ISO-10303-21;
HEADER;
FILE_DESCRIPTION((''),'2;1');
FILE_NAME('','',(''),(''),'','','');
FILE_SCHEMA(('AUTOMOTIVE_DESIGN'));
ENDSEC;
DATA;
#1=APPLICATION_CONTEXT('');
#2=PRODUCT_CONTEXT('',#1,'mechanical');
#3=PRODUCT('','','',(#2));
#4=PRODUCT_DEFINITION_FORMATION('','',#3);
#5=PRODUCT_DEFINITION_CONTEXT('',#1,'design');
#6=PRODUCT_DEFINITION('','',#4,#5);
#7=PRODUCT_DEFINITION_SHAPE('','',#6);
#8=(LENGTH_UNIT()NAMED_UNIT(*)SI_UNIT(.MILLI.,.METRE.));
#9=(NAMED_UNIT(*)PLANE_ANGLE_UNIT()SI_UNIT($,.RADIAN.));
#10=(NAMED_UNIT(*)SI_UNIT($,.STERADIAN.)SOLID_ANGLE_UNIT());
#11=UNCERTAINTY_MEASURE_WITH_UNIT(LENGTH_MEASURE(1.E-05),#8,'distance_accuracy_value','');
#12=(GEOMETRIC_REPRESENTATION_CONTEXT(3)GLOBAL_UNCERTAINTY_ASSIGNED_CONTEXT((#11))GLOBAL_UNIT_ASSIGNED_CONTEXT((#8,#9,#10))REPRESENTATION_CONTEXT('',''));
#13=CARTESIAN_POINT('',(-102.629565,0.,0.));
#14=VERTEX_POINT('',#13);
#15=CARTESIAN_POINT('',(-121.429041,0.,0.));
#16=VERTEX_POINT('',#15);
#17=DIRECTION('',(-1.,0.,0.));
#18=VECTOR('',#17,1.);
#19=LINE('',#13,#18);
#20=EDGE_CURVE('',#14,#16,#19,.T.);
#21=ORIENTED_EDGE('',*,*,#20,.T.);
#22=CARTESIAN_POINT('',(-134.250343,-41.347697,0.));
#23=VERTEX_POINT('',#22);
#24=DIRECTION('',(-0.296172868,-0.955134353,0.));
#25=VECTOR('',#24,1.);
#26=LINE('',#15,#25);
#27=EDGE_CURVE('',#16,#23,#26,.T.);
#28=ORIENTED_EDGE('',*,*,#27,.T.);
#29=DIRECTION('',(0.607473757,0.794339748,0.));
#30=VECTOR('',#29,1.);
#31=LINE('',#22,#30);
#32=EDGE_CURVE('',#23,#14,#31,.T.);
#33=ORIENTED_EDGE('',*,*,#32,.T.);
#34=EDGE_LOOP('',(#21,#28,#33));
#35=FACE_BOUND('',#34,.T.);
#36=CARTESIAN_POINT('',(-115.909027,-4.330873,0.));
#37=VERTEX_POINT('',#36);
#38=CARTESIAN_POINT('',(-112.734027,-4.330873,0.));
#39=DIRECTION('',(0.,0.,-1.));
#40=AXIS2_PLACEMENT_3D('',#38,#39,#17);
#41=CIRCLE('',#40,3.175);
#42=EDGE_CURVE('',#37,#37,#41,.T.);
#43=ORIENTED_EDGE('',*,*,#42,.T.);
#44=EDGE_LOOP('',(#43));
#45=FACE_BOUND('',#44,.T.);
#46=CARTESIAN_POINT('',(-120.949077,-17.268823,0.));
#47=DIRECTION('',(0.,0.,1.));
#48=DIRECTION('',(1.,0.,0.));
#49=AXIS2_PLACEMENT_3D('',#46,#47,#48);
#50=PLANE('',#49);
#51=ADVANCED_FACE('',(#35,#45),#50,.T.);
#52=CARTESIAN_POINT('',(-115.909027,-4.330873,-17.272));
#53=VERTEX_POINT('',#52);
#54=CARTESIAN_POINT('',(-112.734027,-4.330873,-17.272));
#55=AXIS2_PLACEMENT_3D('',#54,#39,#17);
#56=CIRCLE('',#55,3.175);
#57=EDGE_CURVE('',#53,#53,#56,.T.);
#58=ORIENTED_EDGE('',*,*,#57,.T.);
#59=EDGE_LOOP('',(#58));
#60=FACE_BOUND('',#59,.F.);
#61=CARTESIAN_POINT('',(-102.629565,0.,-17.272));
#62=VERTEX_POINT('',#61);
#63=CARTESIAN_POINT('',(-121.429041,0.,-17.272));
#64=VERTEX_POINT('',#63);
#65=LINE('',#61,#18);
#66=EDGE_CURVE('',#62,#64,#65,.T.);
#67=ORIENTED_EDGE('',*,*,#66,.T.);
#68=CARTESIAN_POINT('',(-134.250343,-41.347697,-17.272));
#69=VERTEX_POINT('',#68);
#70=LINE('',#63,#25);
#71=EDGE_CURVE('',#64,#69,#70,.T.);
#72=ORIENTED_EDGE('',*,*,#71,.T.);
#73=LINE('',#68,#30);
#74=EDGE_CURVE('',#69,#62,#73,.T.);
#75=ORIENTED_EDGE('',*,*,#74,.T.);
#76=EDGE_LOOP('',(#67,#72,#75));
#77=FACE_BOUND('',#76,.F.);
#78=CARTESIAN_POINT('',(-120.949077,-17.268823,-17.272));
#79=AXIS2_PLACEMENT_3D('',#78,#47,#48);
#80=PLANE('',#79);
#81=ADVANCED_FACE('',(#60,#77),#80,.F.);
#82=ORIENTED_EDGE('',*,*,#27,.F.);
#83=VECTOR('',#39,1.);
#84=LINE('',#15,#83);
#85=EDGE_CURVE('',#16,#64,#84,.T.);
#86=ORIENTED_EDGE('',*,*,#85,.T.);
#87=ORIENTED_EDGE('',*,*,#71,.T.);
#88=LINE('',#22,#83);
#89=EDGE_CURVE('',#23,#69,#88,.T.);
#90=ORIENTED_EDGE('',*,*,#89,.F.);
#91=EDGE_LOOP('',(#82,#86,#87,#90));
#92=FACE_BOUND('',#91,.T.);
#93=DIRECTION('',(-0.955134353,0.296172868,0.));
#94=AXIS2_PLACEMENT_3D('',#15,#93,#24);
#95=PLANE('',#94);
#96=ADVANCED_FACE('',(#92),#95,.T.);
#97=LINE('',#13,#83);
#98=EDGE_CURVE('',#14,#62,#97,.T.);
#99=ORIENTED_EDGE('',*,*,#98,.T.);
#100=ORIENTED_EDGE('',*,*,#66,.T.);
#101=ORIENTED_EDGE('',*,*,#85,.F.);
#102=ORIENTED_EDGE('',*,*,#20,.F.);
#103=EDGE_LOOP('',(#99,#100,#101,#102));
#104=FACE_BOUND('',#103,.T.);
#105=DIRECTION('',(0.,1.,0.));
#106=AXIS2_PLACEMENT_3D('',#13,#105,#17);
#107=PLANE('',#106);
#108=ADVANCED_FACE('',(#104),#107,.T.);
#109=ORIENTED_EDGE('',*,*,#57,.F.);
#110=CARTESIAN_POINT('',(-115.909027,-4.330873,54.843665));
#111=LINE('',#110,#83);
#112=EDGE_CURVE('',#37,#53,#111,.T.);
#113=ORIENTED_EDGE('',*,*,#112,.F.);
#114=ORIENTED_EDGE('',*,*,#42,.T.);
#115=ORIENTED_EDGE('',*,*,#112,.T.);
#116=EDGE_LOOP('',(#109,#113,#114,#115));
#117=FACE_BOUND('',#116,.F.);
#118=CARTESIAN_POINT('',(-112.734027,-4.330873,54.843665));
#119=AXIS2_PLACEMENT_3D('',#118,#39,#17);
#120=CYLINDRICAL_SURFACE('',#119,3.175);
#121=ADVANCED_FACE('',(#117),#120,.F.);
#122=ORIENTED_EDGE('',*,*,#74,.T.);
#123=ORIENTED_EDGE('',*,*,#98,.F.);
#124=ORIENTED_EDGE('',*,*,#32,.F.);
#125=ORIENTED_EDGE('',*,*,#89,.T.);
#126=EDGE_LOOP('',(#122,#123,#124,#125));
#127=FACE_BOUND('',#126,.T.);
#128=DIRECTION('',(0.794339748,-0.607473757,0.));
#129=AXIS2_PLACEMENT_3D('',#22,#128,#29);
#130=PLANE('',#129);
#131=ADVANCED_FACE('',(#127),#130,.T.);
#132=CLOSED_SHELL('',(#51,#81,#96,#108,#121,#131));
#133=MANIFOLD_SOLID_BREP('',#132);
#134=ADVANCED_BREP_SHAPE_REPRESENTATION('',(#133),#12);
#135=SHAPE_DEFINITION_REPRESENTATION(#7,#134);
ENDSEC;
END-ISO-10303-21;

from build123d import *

# Parameters (mm, degrees)
F1_DEPTH = 17.272
F3_D     = 6.35


with BuildPart() as f1:
    # F0 (on Top) → F1 (new body)
    with BuildSketch(Plane.XY):
        Polygon((-121.429041, 0), (-134.250343, -41.347697), (-102.629565, 0), align=None)
    extrude(amount=-F1_DEPTH)

    # F3 (through all)
    with Locations(Plane.XY):
        with Locations((-112.734027, -4.330873)):
            Hole(F3_D / 2)


solid = f1.part
